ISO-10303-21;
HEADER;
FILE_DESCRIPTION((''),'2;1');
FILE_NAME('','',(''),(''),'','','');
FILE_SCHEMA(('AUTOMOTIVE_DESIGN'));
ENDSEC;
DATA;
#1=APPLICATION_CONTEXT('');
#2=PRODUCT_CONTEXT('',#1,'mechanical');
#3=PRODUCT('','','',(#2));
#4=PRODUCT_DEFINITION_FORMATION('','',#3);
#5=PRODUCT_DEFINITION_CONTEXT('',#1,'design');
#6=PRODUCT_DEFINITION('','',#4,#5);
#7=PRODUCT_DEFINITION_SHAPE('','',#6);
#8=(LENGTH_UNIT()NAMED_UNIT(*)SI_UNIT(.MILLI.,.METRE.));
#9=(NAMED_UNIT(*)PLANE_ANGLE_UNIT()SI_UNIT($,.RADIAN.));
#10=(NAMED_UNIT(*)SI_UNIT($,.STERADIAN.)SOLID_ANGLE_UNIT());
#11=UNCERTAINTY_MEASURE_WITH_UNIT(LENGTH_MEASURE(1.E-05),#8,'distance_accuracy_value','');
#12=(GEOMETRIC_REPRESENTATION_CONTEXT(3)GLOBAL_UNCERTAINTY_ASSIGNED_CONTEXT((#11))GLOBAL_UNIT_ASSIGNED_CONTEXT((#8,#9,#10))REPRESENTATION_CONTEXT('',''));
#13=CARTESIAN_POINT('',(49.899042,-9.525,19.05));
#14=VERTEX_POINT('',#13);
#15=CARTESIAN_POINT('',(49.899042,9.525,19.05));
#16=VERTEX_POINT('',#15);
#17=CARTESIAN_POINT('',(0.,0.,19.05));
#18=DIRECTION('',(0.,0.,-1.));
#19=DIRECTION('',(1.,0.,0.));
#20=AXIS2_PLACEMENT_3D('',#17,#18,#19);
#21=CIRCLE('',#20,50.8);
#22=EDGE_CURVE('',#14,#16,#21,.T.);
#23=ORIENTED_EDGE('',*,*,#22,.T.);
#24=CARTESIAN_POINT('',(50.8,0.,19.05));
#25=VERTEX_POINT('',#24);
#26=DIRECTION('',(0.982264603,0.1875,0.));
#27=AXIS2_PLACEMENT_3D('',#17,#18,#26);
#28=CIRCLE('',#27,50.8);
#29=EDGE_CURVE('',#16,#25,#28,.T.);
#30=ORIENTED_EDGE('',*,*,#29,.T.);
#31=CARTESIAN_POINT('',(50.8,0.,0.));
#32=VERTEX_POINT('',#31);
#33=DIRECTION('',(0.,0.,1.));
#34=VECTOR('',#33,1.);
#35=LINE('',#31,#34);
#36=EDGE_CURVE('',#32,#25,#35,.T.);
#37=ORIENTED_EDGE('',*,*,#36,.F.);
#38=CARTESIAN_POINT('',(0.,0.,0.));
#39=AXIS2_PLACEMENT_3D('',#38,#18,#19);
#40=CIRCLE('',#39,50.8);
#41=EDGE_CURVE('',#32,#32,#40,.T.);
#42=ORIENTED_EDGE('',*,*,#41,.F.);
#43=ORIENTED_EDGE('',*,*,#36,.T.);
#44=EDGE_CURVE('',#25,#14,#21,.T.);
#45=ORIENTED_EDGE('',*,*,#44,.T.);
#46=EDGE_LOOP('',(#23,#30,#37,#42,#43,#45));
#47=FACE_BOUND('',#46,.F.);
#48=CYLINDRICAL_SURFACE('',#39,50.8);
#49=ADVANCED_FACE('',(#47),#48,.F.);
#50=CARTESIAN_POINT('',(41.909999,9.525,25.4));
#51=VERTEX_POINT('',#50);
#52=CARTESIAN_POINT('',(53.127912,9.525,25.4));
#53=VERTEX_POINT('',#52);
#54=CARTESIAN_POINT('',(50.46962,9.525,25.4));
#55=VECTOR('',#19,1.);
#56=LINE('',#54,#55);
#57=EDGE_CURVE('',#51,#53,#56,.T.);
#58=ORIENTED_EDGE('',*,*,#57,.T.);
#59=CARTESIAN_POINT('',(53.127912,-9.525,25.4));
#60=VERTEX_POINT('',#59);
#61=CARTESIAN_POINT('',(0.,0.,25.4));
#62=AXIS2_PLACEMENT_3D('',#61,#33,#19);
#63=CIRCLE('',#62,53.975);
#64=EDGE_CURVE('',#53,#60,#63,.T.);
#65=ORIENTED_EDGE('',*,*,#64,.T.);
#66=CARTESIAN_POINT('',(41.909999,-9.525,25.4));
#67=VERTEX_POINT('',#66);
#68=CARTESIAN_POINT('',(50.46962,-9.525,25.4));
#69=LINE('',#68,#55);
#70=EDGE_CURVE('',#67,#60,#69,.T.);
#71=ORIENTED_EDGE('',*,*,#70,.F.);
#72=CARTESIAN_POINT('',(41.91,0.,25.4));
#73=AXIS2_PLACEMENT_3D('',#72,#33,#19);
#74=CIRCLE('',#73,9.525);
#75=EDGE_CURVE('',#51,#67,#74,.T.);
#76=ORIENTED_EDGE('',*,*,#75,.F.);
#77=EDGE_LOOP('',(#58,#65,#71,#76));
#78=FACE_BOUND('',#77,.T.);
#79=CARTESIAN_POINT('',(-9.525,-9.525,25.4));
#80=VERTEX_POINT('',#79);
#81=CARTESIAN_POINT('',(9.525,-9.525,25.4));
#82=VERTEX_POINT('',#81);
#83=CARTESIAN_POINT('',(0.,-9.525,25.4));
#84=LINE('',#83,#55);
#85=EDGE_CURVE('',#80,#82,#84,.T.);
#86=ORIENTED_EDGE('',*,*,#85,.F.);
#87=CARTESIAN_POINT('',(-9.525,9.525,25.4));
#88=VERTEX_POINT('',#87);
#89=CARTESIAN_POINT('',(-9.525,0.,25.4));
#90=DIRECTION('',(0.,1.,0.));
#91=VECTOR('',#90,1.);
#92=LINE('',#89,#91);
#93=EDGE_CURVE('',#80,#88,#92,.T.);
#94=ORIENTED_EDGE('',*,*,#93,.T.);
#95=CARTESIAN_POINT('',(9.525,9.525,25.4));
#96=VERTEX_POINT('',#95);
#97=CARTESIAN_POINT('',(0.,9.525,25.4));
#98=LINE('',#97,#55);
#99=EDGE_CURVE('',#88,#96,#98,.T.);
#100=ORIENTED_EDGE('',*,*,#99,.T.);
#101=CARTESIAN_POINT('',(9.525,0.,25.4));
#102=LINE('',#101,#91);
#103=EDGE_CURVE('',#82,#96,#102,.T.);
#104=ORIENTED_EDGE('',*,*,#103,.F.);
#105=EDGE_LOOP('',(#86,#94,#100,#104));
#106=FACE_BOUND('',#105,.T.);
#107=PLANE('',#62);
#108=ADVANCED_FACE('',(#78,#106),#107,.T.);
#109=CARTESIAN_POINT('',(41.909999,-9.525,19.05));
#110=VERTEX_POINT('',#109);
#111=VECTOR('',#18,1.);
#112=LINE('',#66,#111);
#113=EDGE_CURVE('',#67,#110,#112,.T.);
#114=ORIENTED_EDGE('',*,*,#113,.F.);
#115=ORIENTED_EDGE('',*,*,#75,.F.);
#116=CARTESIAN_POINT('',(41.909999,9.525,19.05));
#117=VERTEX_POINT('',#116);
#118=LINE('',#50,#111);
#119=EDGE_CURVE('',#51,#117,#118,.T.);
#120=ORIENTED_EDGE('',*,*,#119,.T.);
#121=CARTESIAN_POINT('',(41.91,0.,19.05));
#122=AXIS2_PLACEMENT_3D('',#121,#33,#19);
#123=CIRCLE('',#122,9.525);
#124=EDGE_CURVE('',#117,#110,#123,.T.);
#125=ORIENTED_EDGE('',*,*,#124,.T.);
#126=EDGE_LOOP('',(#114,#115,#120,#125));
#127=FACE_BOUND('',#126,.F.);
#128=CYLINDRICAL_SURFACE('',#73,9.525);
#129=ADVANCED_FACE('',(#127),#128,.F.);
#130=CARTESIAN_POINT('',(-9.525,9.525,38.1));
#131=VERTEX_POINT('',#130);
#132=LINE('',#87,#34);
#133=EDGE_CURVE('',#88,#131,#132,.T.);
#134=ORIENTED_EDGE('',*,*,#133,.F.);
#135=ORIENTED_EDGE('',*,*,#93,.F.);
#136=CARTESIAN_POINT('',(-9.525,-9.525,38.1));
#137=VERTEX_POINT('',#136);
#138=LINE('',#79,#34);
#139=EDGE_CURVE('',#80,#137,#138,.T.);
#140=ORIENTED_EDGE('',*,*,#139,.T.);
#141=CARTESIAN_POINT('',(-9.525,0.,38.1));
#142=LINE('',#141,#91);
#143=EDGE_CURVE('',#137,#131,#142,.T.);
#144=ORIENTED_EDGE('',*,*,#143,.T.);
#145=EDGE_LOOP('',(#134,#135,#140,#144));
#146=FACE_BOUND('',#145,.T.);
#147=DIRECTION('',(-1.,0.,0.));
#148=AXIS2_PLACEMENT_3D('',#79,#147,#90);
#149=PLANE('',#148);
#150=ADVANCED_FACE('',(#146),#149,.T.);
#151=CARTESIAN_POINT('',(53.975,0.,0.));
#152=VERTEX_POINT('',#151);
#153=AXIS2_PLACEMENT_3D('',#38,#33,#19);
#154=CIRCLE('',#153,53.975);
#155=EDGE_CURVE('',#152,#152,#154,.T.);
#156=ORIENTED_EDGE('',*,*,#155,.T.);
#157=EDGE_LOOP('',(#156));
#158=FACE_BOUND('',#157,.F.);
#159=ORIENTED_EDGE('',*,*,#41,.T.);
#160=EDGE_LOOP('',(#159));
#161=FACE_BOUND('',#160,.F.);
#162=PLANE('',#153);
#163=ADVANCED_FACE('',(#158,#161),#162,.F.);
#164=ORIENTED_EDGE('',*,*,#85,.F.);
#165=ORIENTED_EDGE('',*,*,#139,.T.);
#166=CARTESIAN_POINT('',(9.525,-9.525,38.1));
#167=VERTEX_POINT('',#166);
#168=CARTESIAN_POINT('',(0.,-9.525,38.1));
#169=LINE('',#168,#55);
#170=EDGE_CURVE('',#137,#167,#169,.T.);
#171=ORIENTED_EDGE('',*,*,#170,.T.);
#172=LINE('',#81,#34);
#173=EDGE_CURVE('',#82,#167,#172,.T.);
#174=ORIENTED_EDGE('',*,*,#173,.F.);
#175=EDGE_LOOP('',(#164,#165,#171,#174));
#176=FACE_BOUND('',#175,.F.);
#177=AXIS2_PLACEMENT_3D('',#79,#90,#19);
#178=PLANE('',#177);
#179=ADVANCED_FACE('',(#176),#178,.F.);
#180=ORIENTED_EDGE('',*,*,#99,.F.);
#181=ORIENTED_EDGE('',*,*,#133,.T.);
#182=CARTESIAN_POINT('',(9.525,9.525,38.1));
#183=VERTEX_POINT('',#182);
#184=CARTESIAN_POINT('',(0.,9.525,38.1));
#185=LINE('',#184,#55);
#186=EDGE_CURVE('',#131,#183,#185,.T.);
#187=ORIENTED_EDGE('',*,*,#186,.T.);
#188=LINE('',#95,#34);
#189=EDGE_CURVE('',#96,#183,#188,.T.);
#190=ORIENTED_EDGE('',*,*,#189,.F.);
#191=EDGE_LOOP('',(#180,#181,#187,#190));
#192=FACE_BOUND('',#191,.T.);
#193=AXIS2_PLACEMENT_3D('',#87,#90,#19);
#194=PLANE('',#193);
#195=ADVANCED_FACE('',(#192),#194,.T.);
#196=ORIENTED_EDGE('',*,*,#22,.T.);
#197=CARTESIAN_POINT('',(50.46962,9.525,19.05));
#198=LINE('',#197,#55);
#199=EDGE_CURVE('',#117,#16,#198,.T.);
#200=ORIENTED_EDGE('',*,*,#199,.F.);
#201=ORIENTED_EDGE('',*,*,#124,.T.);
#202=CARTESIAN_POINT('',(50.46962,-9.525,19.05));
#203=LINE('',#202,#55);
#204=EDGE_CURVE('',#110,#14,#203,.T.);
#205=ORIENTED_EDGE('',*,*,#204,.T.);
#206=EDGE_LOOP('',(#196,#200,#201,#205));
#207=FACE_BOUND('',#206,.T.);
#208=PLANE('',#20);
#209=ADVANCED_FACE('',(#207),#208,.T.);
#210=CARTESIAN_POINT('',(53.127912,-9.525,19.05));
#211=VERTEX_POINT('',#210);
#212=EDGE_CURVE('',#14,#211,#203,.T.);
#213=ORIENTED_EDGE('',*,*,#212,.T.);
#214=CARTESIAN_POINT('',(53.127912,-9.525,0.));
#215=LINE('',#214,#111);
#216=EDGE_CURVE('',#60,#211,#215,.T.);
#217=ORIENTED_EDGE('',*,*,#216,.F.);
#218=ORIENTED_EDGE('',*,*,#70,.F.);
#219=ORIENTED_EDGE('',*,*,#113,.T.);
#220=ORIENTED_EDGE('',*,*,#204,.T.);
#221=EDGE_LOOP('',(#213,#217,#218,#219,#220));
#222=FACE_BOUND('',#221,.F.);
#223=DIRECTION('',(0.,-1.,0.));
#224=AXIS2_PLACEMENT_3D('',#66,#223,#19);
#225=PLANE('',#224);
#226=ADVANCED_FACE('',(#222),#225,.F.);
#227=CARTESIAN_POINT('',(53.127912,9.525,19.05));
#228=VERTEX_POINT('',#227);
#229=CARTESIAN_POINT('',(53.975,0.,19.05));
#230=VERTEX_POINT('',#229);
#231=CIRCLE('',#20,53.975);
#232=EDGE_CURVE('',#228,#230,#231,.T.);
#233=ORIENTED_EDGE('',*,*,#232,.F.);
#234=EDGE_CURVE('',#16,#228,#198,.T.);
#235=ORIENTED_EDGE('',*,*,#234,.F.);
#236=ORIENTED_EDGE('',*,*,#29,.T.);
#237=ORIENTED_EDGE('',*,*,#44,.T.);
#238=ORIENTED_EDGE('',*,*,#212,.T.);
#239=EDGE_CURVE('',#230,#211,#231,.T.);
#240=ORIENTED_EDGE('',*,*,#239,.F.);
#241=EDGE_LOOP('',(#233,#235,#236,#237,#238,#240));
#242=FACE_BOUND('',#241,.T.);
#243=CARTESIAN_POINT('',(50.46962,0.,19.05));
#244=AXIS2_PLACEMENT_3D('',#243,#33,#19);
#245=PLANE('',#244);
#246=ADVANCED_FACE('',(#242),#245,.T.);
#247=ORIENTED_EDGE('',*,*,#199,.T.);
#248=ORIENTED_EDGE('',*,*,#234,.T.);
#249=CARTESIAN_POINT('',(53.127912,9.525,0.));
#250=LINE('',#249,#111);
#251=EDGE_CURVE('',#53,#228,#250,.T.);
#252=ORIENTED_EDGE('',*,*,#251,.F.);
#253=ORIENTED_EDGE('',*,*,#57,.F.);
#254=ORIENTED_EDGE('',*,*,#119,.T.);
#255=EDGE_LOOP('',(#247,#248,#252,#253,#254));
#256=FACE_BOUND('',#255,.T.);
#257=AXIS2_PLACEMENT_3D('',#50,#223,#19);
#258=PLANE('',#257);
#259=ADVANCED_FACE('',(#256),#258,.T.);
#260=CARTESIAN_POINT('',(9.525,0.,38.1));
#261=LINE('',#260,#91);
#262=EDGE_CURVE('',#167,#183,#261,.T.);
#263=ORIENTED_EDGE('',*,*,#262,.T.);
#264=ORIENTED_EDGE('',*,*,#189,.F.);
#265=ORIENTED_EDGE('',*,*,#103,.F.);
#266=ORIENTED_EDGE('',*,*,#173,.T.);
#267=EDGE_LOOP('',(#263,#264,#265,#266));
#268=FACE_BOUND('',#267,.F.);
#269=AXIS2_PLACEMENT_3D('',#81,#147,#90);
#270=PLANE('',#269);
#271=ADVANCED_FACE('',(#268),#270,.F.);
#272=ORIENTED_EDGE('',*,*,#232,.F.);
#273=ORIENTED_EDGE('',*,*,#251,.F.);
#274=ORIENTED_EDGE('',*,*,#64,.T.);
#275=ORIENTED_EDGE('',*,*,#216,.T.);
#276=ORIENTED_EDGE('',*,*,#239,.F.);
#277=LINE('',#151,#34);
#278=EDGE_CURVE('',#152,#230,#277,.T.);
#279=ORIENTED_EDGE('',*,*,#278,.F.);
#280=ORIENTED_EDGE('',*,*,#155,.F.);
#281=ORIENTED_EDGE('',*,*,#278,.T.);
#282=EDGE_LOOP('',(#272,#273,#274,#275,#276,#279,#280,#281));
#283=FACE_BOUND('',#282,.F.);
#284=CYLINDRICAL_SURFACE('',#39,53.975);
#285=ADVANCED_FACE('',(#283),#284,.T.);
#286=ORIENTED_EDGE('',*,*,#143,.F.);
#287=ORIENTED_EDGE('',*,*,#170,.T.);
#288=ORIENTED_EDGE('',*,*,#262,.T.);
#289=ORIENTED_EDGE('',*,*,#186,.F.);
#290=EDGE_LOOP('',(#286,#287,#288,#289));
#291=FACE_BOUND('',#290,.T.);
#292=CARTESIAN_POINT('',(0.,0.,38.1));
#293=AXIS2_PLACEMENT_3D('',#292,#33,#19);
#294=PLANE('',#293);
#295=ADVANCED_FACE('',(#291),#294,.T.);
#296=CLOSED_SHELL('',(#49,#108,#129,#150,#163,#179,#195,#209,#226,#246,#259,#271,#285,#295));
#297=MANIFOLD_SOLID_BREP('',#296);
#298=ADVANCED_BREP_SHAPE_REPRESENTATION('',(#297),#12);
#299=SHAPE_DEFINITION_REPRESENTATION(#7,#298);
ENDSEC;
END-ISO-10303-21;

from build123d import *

# Parameters (mm, degrees)
F0_R     = 53.975
F1_DEPTH = 25.4
F2_R     = 50.8
F3_DEPTH = 19.05
F4_W     = 19.05
F4_H     = 19.05
F5_DEPTH = 12.7
F6_R     = 9.525
F7_DEPTH = 6.35
F8_W     = 17.119241
F8_H     = 19.05
F9_DEPTH = 6.35


with BuildPart() as f1:
    # F0 (on Top) → F1 (new body)
    with BuildSketch(Plane.XY):
        Circle(F0_R)
    extrude(amount=F1_DEPTH)

    # F2 (on face) → F3 (cut)
    with BuildSketch(Plane(origin=(0, 0, 0), x_dir=(1, 0, 0), z_dir=(0, 0, -1))):
        Circle(F2_R)
    extrude(amount=-F3_DEPTH, mode=Mode.SUBTRACT)

    # F4 (on face) → F5 (join)
    with BuildSketch(Plane.XY.offset(25.4)):
        Rectangle(F4_W, F4_H)
    extrude(amount=F5_DEPTH)

    # F6 (on face) → F7 (cut, through all)
    with BuildSketch(Plane.XY.offset(25.4)):
        with Locations((41.91, 0)):
            Circle(F6_R)
    extrude(amount=-F7_DEPTH, mode=Mode.SUBTRACT)

    # F8 (on face) → F9 (cut, through all)
    with BuildSketch(Plane.XY.offset(25.4)):
        with Locations((50.46962, 0)):
            Rectangle(F8_W, F8_H)
    extrude(amount=-F9_DEPTH, mode=Mode.SUBTRACT)


solid = f1.part
